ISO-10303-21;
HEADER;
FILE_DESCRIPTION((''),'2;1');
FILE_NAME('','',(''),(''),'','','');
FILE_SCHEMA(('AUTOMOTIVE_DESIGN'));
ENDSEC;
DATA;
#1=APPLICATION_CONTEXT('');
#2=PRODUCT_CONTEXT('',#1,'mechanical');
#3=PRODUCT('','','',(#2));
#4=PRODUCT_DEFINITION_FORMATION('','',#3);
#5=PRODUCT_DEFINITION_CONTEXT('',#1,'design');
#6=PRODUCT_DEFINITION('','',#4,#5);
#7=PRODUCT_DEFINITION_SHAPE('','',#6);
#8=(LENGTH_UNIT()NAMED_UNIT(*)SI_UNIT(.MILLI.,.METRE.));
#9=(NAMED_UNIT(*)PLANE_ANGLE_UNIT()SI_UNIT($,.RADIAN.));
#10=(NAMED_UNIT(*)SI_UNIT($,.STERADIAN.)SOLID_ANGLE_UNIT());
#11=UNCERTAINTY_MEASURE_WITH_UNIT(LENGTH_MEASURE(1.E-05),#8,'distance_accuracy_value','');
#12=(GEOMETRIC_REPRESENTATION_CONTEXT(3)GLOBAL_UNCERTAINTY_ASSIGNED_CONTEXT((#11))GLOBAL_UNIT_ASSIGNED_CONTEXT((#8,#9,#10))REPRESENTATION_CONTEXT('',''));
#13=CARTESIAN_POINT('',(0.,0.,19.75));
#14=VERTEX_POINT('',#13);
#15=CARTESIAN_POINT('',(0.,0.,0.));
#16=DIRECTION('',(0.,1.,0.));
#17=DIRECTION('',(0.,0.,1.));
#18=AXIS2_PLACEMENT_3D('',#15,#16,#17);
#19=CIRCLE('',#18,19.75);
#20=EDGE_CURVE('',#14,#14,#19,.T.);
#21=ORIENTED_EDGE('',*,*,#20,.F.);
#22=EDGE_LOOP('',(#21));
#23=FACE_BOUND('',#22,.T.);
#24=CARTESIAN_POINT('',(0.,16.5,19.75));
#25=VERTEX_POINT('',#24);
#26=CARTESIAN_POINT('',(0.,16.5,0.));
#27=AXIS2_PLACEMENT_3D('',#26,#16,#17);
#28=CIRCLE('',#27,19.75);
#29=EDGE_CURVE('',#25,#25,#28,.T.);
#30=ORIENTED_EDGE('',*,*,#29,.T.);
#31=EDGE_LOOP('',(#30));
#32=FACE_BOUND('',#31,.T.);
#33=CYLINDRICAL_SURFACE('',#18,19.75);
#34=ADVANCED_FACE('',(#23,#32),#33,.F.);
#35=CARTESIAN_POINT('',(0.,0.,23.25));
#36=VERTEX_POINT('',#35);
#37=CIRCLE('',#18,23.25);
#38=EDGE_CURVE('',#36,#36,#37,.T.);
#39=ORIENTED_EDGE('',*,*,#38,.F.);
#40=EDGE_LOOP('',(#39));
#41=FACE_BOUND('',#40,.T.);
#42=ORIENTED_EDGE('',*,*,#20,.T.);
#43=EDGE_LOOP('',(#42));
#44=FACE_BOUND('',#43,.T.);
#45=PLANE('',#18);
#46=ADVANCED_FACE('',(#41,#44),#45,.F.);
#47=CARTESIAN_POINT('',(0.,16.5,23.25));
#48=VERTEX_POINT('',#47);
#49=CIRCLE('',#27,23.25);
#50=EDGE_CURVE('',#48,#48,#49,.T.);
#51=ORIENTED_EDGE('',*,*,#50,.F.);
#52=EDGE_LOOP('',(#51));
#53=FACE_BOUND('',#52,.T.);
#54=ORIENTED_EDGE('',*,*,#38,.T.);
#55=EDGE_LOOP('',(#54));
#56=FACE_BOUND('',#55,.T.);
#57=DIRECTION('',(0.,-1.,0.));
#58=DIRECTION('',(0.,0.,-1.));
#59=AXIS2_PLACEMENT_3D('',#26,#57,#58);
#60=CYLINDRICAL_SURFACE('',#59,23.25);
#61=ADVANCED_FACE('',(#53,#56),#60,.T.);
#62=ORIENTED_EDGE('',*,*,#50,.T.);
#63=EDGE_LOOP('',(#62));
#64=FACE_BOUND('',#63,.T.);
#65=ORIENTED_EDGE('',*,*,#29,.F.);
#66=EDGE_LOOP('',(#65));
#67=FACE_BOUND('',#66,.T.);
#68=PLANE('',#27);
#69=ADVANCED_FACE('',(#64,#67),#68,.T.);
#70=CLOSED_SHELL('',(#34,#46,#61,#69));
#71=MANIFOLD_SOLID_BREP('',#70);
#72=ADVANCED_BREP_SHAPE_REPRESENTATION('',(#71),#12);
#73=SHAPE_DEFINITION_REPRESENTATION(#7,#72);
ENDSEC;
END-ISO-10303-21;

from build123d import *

# Parameters (mm, degrees)
SKETCH1_R           = 23.25
BOSS_EXTRUDE1_DEPTH = 16.5
SKETCH2_R           = 19.75
CUT_EXTRUDE1_DEPTH  = 16.5


with BuildPart() as part:
    # Sketch1 → Boss-Extrude1 (new body)
    with BuildSketch(Plane(origin=(0, 0, 0), x_dir=(1, 0, 0), z_dir=(0, 1, 0))):
        Circle(SKETCH1_R)
    extrude(amount=BOSS_EXTRUDE1_DEPTH)

    # Sketch2 → Cut-Extrude1 (cut)
    with BuildSketch(Plane(origin=(0, 16.5, 0), x_dir=(1, 0, 0), z_dir=(0, 1, 0))):
        Circle(SKETCH2_R)
    extrude(amount=-CUT_EXTRUDE1_DEPTH, mode=Mode.SUBTRACT)


solid = part.part
